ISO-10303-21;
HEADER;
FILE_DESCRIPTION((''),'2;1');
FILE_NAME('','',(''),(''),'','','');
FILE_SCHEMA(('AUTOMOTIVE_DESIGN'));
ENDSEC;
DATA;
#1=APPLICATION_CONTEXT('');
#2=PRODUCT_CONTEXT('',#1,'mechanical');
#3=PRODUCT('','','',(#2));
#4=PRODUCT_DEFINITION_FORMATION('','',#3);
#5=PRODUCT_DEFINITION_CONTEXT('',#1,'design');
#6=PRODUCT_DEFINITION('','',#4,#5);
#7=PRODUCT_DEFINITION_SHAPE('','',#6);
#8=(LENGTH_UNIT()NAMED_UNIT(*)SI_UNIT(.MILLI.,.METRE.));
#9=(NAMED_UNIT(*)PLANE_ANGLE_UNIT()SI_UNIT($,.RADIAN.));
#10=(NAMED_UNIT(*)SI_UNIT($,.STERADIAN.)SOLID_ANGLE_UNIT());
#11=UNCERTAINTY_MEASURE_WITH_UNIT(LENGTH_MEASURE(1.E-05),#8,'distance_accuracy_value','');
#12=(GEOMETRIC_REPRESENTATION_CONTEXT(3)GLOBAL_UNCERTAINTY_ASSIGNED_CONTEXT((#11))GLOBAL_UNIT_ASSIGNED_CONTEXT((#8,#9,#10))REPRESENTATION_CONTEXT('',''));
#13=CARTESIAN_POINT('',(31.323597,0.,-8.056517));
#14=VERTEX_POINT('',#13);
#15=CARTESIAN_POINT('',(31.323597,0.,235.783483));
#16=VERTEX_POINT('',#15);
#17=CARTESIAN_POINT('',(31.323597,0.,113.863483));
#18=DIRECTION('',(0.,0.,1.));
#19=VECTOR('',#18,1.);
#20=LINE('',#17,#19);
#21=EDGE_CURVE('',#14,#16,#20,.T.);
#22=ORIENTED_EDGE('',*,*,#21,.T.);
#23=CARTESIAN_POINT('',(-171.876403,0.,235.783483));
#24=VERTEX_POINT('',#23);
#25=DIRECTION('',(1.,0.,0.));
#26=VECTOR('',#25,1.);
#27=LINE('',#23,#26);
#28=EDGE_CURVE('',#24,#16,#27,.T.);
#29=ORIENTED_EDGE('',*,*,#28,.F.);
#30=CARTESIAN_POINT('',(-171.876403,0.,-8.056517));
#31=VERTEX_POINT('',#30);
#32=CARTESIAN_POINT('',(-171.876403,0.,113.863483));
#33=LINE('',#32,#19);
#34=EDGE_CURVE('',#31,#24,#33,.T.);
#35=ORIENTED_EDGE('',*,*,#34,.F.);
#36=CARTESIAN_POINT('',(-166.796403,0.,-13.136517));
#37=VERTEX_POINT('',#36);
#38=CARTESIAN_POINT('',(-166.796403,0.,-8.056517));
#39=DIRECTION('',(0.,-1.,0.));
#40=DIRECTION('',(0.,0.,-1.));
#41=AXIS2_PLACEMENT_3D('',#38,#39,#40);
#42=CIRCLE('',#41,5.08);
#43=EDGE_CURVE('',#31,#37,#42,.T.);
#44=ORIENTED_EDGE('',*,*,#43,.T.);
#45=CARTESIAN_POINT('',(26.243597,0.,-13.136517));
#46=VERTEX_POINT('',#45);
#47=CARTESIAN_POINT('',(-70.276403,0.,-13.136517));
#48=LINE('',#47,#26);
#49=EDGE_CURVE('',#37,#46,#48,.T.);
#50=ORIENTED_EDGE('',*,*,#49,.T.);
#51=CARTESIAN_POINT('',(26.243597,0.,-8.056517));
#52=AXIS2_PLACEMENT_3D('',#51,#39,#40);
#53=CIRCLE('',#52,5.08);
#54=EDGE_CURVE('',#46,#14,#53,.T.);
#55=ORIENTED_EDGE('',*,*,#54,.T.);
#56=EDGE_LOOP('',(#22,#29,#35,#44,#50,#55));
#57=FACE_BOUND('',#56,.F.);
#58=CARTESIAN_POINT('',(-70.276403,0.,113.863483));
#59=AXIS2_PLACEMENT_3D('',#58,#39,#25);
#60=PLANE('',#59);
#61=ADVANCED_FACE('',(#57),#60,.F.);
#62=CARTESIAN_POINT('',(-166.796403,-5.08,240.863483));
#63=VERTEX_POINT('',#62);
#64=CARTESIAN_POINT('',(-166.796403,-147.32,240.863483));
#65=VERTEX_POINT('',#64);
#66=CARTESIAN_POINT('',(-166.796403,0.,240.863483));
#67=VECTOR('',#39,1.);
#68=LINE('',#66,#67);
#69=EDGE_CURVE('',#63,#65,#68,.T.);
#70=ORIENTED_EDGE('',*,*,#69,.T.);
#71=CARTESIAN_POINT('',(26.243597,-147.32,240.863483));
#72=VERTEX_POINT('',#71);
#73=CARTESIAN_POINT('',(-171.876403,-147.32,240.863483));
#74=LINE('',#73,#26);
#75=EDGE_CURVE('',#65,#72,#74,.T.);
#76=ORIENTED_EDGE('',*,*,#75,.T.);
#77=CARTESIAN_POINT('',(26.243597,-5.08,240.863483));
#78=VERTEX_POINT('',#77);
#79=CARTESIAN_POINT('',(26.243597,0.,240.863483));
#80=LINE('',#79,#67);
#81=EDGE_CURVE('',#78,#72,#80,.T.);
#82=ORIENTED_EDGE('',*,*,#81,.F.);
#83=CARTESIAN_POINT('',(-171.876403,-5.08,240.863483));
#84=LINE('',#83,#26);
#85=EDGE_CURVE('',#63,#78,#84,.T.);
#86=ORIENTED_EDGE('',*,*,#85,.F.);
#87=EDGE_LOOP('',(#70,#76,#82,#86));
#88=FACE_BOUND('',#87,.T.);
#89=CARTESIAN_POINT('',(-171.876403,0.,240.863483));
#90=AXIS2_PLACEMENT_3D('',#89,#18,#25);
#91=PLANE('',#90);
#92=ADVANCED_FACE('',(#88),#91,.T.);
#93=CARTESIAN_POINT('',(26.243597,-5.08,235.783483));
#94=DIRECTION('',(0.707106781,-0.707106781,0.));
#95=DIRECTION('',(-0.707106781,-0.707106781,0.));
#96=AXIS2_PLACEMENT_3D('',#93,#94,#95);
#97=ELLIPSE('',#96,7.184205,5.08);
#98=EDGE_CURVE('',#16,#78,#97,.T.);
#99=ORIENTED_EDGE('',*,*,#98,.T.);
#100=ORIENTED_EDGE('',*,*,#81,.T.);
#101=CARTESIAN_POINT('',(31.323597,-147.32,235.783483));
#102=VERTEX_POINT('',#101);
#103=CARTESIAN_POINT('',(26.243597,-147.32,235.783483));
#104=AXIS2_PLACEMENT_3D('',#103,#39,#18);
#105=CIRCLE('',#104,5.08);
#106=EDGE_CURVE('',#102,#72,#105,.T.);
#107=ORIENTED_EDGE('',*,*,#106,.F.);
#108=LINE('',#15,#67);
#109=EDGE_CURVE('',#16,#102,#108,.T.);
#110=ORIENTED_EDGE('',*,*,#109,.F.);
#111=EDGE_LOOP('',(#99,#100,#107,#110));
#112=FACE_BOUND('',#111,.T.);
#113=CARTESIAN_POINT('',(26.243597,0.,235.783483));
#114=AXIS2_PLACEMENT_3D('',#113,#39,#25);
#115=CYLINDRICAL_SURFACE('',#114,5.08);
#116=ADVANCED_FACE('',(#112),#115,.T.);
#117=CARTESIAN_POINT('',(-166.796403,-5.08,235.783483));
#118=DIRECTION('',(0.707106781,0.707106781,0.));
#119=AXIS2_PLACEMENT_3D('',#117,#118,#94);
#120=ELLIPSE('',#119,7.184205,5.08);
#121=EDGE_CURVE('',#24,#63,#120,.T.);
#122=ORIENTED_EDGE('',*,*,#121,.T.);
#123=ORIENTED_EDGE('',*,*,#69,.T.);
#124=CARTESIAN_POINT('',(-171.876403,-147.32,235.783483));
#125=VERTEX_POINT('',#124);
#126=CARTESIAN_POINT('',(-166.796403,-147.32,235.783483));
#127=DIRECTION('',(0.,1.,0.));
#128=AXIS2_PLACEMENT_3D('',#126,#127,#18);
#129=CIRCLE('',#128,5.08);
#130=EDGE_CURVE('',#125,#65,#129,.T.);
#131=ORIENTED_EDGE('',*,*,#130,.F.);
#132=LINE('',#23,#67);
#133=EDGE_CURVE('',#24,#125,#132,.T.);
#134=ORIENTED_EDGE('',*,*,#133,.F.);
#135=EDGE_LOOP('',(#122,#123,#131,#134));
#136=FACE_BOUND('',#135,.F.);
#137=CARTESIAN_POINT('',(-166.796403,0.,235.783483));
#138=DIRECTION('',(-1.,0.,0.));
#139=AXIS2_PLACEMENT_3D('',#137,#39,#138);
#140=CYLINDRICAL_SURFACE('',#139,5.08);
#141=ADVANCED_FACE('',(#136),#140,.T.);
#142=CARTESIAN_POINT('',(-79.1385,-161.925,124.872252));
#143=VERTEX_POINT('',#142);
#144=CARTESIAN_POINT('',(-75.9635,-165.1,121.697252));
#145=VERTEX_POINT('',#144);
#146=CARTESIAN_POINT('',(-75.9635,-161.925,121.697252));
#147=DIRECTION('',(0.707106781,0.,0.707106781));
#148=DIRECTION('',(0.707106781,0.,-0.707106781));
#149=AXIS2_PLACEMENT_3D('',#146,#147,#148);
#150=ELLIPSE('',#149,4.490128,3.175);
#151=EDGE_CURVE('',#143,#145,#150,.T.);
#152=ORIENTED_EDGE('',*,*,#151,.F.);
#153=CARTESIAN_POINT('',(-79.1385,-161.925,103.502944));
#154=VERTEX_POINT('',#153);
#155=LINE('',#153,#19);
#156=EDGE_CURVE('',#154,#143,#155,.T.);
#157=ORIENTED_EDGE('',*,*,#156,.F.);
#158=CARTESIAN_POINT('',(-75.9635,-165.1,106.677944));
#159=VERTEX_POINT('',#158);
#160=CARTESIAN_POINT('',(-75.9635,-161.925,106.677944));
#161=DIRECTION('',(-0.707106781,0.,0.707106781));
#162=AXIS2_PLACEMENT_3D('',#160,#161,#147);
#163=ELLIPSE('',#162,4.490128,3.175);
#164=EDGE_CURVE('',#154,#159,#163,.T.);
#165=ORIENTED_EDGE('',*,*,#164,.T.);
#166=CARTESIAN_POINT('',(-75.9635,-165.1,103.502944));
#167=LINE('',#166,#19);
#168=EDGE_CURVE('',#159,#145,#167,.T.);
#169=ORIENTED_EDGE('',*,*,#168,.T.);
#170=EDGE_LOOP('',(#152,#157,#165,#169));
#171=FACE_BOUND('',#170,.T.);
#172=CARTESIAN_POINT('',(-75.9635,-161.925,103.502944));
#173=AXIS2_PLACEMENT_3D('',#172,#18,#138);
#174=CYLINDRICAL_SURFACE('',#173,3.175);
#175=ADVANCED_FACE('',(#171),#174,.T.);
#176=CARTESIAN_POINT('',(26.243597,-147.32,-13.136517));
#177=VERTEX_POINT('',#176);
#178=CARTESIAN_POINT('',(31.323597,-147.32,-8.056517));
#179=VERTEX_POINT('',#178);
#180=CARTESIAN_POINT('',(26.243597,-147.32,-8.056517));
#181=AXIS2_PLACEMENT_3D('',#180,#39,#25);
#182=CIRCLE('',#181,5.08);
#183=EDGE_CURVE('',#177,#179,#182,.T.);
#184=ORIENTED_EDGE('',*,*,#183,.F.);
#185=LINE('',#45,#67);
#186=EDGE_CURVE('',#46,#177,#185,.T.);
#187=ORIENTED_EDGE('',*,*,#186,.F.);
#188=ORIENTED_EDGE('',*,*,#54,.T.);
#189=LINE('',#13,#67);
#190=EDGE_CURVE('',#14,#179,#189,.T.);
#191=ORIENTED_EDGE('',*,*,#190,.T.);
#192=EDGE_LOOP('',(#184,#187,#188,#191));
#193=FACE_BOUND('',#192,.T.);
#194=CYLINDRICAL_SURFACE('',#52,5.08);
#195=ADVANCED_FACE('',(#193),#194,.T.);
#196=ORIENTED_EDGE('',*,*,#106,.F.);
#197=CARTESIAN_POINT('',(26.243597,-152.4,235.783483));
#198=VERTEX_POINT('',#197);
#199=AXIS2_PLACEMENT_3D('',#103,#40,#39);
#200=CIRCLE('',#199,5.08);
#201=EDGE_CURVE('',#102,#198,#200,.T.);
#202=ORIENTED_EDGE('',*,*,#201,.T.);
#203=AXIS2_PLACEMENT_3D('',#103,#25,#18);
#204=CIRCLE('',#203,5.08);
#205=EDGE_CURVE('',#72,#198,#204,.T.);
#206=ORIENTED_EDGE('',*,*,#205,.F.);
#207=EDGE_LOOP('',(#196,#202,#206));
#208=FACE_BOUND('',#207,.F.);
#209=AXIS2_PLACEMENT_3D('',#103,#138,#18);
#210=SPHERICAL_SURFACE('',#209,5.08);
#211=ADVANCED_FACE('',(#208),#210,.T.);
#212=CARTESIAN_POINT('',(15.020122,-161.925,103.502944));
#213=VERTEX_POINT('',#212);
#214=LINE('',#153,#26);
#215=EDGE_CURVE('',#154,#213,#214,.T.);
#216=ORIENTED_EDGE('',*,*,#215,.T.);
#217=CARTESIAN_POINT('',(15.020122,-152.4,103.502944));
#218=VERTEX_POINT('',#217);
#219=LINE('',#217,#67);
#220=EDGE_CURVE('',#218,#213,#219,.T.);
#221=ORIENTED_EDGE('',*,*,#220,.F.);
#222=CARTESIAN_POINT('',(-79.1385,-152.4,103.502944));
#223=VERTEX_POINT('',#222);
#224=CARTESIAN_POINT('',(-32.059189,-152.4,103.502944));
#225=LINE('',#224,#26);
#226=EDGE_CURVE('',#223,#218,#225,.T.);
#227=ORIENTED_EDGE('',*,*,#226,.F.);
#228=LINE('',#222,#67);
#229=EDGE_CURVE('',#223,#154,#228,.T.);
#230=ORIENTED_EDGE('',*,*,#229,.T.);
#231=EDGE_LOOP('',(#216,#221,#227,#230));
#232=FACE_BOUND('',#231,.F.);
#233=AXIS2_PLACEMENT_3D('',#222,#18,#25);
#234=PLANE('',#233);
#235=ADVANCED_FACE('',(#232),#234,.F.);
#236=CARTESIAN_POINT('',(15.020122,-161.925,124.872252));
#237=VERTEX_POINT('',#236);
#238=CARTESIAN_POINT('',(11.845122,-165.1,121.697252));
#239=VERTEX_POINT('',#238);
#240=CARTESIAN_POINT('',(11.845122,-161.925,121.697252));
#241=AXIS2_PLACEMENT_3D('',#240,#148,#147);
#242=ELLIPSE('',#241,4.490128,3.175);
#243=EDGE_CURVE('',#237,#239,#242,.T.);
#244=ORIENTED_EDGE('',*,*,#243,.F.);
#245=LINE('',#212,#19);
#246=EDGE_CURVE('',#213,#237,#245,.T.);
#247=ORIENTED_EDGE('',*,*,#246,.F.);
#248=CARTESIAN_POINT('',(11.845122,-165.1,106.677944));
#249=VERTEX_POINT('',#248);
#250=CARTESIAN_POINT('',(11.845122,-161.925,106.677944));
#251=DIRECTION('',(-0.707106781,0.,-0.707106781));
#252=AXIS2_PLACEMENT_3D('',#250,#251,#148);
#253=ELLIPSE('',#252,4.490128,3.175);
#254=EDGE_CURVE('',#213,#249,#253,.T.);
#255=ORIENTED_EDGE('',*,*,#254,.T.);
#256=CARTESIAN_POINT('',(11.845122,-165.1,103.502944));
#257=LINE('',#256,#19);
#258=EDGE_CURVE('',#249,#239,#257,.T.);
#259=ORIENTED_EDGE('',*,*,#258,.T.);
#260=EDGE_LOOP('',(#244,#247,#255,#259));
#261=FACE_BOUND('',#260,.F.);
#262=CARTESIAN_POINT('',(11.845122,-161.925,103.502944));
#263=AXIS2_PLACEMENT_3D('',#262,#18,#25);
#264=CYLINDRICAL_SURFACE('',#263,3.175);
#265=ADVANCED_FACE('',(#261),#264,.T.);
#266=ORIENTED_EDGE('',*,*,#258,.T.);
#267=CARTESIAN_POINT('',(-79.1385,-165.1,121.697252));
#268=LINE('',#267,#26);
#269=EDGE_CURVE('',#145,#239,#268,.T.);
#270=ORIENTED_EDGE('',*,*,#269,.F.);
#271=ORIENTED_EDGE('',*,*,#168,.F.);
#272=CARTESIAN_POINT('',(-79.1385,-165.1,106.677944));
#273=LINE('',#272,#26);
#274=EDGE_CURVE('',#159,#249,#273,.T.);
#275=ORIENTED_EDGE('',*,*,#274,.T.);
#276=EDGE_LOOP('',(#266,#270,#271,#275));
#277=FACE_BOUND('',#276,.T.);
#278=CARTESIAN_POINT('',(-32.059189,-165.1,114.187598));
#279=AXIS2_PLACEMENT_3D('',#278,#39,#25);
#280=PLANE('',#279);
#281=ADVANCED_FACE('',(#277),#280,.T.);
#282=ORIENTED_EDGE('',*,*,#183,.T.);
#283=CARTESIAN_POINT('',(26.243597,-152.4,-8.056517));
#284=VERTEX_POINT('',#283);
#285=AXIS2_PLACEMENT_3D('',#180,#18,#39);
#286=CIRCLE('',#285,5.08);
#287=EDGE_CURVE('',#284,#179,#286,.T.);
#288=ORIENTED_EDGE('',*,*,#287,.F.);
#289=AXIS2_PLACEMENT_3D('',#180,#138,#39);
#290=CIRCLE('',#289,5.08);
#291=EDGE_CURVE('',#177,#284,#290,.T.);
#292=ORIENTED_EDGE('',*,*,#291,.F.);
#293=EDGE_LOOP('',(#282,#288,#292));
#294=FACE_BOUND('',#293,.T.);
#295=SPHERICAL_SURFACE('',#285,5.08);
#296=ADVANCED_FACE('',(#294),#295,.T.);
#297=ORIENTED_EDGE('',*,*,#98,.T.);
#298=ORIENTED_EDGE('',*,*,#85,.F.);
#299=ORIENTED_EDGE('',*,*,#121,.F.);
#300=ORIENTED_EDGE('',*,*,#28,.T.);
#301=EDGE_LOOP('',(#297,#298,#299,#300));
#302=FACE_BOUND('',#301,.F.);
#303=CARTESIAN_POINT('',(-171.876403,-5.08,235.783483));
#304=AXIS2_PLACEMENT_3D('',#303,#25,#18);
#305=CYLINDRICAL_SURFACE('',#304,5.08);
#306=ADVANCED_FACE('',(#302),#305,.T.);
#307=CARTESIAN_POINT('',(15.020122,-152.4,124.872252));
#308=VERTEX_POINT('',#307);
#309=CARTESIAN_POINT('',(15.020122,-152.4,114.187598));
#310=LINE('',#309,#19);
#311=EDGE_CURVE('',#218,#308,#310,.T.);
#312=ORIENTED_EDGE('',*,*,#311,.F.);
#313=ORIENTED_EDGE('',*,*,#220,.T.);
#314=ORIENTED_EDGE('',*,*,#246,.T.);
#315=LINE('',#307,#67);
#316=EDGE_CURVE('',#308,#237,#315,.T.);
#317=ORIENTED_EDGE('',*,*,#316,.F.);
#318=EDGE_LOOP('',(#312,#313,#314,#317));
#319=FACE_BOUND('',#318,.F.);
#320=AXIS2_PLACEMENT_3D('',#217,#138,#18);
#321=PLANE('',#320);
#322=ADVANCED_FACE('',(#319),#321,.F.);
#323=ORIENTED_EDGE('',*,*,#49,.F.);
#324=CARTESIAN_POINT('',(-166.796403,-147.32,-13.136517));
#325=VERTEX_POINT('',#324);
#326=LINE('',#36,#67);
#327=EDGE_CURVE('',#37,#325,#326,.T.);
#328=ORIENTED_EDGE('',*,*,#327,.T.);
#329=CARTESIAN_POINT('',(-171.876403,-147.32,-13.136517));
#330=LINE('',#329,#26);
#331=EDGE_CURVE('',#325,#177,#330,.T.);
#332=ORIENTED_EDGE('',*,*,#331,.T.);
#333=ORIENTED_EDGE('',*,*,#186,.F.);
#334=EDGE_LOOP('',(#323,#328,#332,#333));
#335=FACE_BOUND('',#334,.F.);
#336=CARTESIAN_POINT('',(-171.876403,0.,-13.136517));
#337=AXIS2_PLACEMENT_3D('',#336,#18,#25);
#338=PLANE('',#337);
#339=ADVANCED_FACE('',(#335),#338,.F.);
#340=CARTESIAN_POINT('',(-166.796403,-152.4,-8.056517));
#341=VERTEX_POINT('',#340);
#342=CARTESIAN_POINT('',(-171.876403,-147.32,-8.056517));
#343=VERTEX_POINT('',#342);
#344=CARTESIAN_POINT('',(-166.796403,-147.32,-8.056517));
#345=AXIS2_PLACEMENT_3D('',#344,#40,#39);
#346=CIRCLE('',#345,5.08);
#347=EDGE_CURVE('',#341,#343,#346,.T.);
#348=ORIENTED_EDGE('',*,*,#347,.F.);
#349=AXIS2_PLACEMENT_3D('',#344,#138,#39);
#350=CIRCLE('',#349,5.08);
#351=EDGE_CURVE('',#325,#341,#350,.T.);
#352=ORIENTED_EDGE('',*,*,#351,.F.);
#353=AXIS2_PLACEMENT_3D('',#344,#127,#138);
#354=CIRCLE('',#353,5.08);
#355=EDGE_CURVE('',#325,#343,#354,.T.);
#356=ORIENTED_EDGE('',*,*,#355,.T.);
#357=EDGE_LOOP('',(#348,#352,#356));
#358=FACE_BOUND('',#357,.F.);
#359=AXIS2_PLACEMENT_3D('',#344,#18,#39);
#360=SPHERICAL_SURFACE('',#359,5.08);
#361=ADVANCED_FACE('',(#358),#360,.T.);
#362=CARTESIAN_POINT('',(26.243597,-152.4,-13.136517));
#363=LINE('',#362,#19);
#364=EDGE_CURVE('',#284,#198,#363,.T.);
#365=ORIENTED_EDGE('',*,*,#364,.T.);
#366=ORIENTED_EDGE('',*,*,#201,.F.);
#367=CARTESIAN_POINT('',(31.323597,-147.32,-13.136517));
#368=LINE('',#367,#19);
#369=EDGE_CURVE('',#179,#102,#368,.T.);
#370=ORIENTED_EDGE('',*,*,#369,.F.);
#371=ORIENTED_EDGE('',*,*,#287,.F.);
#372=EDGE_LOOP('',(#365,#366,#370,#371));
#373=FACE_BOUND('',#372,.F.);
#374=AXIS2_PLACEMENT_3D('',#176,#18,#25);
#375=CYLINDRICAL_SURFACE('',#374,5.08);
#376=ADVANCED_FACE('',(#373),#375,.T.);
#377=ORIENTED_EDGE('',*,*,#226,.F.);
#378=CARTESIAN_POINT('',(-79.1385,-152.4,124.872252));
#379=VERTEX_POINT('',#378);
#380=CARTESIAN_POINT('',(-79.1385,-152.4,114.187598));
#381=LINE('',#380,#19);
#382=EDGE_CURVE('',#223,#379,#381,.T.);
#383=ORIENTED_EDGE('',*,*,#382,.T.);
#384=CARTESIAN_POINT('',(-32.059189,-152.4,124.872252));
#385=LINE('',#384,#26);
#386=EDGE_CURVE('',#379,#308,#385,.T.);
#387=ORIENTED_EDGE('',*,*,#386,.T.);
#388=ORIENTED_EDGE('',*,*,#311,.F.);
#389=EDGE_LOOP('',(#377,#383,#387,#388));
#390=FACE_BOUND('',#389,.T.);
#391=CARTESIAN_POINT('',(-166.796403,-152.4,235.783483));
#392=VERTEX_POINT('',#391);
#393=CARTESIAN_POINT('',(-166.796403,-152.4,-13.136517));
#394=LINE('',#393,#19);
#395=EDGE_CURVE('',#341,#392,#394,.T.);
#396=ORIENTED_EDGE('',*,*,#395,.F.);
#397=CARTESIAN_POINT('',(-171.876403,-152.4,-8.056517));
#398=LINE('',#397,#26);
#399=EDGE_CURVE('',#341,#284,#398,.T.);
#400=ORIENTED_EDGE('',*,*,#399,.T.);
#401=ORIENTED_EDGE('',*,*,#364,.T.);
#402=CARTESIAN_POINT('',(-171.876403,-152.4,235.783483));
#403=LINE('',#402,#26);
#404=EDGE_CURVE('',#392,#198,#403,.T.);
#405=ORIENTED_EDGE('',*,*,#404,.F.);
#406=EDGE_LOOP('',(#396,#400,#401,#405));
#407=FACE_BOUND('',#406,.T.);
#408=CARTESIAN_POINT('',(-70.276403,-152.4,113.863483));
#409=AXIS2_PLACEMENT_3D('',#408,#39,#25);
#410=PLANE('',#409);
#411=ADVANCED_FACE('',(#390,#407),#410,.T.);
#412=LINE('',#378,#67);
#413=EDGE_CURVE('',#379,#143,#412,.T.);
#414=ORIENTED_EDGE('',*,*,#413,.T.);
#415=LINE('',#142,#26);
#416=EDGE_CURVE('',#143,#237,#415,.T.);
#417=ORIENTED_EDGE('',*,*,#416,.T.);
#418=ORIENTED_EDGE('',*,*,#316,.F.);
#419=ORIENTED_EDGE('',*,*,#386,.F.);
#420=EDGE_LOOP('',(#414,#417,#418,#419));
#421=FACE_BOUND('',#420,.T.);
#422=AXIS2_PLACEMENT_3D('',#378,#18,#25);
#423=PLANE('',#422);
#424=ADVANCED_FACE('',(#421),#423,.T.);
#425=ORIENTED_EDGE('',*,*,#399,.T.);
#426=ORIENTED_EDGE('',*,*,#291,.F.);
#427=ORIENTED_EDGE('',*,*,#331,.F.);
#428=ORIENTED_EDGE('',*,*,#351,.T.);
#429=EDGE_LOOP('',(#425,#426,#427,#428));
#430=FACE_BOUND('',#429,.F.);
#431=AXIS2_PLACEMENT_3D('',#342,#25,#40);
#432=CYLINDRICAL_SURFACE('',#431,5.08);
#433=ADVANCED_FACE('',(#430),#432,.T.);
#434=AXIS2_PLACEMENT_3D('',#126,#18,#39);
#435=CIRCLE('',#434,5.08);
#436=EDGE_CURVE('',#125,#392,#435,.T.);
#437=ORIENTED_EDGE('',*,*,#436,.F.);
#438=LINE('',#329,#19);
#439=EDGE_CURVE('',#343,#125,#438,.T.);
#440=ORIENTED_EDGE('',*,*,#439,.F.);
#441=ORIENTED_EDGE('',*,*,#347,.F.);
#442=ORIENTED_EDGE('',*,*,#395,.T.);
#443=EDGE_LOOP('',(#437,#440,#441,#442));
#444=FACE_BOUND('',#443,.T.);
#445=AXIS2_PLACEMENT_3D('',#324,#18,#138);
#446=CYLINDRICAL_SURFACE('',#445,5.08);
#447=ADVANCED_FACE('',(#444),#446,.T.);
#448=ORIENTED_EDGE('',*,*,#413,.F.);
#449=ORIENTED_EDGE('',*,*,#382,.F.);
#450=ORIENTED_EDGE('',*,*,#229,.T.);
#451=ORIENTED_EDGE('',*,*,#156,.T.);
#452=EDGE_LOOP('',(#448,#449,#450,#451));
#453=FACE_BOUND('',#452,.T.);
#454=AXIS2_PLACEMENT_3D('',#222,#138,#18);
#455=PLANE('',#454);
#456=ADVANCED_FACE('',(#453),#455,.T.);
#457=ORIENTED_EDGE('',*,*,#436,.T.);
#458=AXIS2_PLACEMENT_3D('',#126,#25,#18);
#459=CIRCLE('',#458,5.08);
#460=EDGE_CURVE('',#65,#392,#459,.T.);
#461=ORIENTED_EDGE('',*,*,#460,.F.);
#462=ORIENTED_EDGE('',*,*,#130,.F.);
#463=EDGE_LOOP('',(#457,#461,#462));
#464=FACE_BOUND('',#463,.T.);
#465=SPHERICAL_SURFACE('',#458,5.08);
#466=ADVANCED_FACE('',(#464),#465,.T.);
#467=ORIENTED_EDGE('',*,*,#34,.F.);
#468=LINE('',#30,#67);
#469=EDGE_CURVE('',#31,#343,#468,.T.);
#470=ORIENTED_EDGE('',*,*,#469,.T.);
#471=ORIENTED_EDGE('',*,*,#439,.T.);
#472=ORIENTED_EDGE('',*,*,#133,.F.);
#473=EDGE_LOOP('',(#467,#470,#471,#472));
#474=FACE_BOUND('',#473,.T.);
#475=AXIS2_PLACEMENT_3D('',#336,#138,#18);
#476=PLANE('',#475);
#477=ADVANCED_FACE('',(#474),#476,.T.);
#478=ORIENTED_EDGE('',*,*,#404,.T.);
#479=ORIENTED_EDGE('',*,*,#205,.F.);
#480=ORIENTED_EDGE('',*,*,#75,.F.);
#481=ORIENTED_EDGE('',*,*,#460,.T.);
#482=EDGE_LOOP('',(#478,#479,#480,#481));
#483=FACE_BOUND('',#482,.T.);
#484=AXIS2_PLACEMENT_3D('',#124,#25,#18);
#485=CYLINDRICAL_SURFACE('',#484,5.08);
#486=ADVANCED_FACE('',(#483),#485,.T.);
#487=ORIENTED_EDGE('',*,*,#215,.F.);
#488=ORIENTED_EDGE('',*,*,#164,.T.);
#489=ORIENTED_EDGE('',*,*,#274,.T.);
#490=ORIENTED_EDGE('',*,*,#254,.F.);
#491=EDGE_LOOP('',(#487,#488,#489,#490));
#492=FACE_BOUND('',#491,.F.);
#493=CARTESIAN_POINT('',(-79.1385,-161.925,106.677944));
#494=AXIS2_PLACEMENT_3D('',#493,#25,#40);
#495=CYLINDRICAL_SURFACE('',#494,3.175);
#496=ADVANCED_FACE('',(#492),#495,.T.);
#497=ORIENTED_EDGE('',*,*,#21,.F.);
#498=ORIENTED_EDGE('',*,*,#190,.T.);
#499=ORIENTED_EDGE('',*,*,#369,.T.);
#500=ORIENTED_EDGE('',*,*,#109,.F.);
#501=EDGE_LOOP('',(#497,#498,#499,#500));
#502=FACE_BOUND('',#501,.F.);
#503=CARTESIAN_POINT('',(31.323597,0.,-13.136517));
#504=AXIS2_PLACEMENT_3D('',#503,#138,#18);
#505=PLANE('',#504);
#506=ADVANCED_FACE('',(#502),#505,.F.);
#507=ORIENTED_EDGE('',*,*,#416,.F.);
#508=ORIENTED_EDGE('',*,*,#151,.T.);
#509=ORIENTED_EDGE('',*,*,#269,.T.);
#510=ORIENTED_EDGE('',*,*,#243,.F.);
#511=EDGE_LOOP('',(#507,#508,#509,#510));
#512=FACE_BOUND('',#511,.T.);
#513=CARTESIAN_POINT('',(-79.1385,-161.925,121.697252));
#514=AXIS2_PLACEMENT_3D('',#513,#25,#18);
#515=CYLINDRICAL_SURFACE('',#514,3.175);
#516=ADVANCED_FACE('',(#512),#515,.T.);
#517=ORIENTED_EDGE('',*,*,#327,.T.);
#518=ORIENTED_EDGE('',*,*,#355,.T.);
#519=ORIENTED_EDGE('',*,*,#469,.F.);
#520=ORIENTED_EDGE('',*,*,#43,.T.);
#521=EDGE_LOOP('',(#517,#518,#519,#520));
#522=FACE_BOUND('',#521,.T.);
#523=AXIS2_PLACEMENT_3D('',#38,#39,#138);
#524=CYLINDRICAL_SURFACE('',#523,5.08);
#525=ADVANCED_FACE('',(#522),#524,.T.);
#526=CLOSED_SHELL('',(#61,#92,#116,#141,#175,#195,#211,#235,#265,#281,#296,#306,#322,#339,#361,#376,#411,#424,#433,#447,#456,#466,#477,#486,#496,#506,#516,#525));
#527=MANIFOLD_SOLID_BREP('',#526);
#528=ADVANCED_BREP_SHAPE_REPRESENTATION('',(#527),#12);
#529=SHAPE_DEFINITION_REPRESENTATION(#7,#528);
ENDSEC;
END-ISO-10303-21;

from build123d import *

# Parameters (mm, degrees)
F0_W     = 203.2
F0_H     = 254
F1_DEPTH = 152.4
F2_R     = 5.08
F3_W     = 94.158622
F3_H     = 21.369308
F4_DEPTH = 12.7
F5_R     = 3.175


with BuildPart() as f1:
    # F0 (on Front) → F1 (new body)
    with BuildSketch(Plane.XZ):
        with Locations((-70.276403, 113.863483)):
            Rectangle(F0_W, F0_H)
    extrude(amount=F1_DEPTH)

    # F2
    f2_edges = [f1.edges().sort_by_distance(p)[0] for p in [
        (-70.276403, -152.4, 240.863483),
        (31.323597, -76.2, 240.863483),
        (-171.876403, -76.2, 240.863483),
        (-70.276403, 0, 240.863483),
        (31.323597, -152.4, 113.863483),
        (-171.876403, -152.4, 113.863483),
        (-70.276403, -152.4, -13.136517),
        (31.323597, -76.2, -13.136517),
        (-171.876403, -76.2, -13.136517),
    ]]
    fillet(f2_edges, radius=F2_R)

    # F3 (on face) → F4 (join)
    with BuildSketch(Plane.XZ.offset(152.4)):
        with Locations((-32.059189, 114.187598)):
            Rectangle(F3_W, F3_H)
    extrude(amount=F4_DEPTH)

    # F5
    f5_edges = [f1.edges().sort_by_distance(p)[0] for p in [
        (-32.059189, -165.1, 103.502944),
        (15.020122, -165.1, 114.187598),
        (-32.059189, -165.1, 124.872252),
        (-79.1385, -165.1, 114.187598),
    ]]
    fillet(f5_edges, radius=F5_R)


solid = f1.part
